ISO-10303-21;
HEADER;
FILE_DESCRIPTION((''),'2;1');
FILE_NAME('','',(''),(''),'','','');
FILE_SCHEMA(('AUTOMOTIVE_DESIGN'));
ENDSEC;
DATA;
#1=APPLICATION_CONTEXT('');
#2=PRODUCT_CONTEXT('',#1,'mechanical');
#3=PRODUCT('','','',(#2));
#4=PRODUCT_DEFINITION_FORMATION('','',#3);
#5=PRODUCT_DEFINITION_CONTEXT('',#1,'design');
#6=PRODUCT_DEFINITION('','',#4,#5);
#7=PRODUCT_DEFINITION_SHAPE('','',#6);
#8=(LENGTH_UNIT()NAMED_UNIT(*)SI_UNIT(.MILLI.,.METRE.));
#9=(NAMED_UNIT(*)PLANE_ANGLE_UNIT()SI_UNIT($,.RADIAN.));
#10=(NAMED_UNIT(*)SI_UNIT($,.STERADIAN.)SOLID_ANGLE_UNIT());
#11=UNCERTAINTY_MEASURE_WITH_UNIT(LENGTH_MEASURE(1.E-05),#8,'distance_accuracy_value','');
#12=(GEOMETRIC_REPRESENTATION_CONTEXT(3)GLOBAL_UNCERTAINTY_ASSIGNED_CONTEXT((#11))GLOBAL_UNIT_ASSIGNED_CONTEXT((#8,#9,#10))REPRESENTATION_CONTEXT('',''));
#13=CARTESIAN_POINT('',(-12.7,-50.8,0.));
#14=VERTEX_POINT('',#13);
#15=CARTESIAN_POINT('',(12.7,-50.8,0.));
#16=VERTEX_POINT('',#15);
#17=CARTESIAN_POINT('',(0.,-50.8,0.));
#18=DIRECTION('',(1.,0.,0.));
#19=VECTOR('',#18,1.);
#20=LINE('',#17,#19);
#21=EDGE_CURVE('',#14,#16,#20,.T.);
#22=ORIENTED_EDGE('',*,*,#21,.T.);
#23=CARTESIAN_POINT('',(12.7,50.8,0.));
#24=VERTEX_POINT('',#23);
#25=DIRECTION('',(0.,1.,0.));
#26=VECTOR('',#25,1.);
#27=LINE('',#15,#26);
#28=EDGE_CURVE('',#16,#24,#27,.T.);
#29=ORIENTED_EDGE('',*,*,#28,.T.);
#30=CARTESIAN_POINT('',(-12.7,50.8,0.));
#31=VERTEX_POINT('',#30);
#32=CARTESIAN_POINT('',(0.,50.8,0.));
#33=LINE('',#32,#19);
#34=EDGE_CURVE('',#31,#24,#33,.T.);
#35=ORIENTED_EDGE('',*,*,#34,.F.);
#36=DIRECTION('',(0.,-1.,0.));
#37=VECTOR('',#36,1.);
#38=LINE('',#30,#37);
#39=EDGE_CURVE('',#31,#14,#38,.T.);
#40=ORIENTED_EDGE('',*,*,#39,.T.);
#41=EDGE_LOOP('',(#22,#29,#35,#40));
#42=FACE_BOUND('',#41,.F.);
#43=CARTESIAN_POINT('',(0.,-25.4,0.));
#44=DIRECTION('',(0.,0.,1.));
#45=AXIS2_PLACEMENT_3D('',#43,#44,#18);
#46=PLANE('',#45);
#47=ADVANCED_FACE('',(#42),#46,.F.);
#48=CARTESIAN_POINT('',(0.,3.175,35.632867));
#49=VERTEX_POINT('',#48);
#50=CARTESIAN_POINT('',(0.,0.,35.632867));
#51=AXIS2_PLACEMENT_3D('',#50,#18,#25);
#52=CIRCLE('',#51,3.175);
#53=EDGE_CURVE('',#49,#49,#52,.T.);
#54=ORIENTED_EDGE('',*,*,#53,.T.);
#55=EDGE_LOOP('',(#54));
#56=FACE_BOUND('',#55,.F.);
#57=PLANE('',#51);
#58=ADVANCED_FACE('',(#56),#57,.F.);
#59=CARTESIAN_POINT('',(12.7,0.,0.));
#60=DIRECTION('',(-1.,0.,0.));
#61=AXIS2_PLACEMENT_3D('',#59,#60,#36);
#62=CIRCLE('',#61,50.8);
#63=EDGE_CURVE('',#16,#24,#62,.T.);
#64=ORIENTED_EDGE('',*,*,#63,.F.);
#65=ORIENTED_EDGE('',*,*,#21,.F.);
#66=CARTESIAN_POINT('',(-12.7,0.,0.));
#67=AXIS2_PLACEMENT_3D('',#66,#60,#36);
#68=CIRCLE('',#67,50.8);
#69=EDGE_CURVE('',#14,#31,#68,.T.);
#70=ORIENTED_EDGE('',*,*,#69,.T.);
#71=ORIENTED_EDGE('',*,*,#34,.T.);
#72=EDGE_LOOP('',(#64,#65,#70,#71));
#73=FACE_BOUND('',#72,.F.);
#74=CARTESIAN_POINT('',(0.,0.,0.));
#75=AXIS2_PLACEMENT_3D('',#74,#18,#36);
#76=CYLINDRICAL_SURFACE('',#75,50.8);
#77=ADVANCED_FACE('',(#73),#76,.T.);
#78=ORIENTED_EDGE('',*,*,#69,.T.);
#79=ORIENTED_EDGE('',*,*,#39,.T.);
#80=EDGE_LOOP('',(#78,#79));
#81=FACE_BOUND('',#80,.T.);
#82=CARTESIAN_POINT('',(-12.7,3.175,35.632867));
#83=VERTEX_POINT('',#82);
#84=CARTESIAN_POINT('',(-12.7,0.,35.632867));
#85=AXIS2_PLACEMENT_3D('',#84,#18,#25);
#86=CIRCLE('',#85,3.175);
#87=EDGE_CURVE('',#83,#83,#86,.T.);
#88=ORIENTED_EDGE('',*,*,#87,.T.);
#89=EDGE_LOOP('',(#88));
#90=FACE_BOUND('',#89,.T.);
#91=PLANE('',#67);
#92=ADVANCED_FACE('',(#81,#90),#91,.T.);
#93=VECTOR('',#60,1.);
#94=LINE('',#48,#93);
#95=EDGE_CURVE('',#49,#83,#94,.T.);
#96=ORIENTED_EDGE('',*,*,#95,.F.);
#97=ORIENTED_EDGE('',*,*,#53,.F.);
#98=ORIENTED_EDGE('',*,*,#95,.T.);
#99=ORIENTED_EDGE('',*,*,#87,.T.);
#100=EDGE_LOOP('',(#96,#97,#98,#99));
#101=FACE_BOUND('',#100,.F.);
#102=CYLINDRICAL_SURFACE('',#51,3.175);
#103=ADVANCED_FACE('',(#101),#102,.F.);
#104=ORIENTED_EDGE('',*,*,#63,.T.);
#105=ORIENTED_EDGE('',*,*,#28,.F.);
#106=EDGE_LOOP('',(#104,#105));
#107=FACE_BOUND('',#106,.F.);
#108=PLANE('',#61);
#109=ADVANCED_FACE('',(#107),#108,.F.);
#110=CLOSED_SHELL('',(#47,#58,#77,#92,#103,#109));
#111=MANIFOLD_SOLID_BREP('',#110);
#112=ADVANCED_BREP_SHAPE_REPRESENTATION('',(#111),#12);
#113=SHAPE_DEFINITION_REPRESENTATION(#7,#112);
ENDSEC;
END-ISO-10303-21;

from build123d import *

# Parameters (mm, degrees)
F0_W     = 25.4
F0_H     = 50.8
F1_ANGLE = 180
F3_D     = 6.35
F3_DEPTH = 12.701


with BuildPart() as f1:
    # F0 (on Top) → F1 (revolve)
    with BuildSketch(Plane.XY):
        with Locations((0, -25.4)):
            Rectangle(F0_W, F0_H)
    revolve(axis=Axis((0, 0, 0), (-1, 0, 0)), revolution_arc=F1_ANGLE)

    # F3 (through all, one way)
    with BuildSketch(Plane.YZ):
        with Locations((0, 35.6328673661)):
            Circle(F3_D / 2)
    extrude(amount=-F3_DEPTH, mode=Mode.SUBTRACT)


solid = f1.part
